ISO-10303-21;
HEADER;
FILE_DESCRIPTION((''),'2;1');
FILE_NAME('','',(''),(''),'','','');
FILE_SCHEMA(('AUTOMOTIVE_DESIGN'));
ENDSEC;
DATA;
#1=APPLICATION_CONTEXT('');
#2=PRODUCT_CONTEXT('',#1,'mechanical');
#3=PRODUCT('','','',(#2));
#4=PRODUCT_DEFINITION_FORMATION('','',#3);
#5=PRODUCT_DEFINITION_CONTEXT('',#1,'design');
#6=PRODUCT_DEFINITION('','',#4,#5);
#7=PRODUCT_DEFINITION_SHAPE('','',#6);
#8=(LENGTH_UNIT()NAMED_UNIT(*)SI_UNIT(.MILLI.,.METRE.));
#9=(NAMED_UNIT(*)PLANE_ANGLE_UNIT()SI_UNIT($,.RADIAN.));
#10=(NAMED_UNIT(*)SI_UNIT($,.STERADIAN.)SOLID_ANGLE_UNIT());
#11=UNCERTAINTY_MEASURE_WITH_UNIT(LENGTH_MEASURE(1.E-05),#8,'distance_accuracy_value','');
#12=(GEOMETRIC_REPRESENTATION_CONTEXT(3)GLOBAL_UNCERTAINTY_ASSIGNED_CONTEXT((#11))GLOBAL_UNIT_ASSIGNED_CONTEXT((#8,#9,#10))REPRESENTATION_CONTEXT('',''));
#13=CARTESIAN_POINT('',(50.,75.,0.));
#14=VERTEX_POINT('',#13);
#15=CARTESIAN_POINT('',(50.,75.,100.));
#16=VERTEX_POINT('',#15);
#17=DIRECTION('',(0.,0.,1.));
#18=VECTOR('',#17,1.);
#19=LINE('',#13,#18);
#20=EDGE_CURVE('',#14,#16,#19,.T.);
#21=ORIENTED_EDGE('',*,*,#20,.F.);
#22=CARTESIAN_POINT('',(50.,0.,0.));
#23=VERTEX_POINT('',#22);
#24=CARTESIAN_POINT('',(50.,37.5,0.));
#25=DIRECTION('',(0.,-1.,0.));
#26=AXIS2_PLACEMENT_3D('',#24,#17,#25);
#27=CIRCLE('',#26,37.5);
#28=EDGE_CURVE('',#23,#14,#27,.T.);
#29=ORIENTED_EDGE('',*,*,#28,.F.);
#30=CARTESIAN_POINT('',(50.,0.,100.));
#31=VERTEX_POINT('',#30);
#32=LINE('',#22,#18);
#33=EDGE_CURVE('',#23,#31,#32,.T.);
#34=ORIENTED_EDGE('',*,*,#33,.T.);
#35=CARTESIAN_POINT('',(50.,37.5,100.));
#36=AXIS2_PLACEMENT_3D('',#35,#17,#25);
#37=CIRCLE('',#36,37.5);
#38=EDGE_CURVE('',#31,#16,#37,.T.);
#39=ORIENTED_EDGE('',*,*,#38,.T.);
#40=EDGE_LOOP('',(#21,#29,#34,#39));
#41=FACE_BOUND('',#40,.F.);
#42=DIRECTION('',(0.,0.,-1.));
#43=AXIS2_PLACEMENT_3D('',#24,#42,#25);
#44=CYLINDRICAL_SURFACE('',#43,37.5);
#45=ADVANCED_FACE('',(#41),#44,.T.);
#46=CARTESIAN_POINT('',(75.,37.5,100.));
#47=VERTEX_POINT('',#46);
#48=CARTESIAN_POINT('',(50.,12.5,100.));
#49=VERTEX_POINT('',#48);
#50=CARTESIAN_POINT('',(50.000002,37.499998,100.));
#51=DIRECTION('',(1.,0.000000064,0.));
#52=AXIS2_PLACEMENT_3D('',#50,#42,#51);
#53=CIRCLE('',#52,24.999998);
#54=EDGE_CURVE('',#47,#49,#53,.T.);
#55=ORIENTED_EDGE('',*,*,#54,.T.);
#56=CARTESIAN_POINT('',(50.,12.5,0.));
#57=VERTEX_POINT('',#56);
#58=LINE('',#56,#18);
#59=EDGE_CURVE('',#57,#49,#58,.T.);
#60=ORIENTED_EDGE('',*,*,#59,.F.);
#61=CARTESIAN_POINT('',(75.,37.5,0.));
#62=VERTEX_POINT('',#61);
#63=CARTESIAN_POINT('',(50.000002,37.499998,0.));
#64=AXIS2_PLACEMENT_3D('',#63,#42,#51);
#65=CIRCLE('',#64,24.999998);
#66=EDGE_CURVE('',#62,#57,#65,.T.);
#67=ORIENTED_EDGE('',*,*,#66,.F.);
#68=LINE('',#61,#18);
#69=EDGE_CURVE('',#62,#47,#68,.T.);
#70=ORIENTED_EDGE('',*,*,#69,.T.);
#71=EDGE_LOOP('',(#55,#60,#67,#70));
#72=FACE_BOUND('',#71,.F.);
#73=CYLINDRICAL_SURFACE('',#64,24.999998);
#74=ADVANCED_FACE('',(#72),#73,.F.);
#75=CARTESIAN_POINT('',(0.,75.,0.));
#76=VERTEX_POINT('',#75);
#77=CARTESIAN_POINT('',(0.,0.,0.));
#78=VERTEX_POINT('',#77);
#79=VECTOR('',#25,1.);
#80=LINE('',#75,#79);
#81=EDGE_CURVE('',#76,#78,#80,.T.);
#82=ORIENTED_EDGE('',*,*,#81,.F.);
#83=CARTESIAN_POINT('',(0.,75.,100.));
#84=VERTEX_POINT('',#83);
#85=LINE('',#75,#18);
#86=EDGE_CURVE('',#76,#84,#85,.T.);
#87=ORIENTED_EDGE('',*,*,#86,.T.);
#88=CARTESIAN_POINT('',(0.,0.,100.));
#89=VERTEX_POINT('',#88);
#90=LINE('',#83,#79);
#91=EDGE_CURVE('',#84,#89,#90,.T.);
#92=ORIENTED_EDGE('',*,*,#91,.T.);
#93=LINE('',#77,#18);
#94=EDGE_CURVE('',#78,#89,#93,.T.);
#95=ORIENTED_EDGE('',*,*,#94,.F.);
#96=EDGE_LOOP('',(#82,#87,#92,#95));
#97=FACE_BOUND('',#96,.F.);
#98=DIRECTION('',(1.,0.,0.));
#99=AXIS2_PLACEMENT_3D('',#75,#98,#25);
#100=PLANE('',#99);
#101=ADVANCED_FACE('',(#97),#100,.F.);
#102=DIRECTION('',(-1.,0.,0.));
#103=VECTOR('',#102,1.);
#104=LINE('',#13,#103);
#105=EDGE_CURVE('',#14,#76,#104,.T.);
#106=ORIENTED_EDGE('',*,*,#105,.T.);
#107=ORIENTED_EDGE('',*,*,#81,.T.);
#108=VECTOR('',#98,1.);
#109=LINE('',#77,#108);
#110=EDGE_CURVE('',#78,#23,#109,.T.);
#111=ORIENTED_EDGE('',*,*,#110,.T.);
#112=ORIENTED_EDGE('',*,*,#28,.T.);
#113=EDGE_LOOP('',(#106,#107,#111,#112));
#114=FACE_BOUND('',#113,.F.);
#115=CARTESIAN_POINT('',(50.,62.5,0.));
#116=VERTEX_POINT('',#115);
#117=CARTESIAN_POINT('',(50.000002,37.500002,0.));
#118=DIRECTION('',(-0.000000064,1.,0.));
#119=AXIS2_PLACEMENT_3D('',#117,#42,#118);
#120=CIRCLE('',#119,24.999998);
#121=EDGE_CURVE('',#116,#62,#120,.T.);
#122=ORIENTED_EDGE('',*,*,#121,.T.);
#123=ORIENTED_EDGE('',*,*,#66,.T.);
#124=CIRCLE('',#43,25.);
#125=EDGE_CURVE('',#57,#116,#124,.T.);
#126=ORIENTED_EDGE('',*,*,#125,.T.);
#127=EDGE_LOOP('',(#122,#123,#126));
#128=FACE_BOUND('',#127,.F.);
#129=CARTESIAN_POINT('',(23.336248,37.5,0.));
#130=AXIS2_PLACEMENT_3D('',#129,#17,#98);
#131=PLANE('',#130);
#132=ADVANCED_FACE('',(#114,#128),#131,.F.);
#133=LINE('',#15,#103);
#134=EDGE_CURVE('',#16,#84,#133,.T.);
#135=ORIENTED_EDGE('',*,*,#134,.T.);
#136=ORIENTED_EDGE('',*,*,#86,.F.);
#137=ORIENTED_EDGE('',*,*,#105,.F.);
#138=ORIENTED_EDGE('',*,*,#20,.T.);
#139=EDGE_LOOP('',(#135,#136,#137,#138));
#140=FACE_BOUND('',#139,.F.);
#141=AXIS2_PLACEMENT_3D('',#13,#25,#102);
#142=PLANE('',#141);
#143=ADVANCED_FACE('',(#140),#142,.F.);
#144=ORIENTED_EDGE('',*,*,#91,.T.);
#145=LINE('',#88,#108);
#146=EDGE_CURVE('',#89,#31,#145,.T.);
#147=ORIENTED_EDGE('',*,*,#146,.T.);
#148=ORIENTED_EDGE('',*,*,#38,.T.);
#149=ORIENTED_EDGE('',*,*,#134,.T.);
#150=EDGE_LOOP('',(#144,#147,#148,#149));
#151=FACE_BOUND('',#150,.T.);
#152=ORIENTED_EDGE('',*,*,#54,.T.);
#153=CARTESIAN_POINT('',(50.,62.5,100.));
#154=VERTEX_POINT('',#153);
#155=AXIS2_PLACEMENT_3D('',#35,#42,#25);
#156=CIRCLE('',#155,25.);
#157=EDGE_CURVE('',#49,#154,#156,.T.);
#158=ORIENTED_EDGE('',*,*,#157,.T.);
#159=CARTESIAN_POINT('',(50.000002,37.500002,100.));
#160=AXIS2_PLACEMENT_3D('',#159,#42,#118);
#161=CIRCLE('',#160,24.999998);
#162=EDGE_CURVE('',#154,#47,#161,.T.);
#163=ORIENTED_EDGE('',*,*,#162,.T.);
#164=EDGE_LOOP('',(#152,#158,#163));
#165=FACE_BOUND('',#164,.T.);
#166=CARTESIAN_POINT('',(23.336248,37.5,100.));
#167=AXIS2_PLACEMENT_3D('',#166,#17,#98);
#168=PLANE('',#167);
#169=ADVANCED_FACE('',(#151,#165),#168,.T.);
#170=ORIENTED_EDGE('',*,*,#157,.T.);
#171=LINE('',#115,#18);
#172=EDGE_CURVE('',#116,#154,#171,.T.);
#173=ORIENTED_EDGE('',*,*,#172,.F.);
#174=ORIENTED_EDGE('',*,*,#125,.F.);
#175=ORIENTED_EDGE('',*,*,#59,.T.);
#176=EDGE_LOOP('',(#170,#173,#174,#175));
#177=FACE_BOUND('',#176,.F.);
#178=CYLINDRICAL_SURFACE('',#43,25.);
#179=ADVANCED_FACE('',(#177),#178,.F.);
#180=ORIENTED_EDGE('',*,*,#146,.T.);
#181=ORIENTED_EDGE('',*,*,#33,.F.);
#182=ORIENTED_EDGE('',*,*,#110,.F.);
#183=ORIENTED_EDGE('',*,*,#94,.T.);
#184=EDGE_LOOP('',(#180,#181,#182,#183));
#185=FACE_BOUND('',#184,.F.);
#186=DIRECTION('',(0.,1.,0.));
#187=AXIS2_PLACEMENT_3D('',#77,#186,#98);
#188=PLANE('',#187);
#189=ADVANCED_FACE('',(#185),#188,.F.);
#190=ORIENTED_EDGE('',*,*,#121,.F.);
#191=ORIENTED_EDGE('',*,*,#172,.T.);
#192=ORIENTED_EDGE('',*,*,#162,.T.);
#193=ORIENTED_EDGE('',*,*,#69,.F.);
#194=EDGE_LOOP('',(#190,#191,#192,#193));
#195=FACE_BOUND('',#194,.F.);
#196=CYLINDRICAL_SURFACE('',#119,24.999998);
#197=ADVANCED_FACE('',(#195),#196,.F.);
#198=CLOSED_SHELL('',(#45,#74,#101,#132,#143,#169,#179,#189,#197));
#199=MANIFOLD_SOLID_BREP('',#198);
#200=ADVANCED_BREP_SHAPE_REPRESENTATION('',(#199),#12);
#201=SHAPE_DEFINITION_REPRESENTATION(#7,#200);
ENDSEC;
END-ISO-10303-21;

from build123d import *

# Parameters (mm, degrees)
F1_DEPTH = 100


with BuildPart() as f1:
    # F0 (on Top) → F1 (new body)
    with BuildSketch(Plane.XY):
        with BuildLine():
            Line((0, 75), (0, 0))
            Line((0, 0), (50, 0))
            Line((50, 0), (50, 12.5))
            ThreePointArc((50, 12.5), (25, 37.5), (50, 62.5))
            Line((50, 62.5), (50, 75))
            Line((50, 75), (0, 75))
        make_face()
        with BuildLine():
            Line((50, 12.5), (50, 0))
            ThreePointArc((50, 0), (87.5, 37.5), (50, 75))
            Line((50, 75), (50, 62.5))
            ThreePointArc((50, 62.5), (67.67767, 55.17767), (75, 37.5))
            ThreePointArc((75, 37.5), (67.67767, 19.82233), (50, 12.5))
        make_face()
    extrude(amount=F1_DEPTH)


solid = f1.part
